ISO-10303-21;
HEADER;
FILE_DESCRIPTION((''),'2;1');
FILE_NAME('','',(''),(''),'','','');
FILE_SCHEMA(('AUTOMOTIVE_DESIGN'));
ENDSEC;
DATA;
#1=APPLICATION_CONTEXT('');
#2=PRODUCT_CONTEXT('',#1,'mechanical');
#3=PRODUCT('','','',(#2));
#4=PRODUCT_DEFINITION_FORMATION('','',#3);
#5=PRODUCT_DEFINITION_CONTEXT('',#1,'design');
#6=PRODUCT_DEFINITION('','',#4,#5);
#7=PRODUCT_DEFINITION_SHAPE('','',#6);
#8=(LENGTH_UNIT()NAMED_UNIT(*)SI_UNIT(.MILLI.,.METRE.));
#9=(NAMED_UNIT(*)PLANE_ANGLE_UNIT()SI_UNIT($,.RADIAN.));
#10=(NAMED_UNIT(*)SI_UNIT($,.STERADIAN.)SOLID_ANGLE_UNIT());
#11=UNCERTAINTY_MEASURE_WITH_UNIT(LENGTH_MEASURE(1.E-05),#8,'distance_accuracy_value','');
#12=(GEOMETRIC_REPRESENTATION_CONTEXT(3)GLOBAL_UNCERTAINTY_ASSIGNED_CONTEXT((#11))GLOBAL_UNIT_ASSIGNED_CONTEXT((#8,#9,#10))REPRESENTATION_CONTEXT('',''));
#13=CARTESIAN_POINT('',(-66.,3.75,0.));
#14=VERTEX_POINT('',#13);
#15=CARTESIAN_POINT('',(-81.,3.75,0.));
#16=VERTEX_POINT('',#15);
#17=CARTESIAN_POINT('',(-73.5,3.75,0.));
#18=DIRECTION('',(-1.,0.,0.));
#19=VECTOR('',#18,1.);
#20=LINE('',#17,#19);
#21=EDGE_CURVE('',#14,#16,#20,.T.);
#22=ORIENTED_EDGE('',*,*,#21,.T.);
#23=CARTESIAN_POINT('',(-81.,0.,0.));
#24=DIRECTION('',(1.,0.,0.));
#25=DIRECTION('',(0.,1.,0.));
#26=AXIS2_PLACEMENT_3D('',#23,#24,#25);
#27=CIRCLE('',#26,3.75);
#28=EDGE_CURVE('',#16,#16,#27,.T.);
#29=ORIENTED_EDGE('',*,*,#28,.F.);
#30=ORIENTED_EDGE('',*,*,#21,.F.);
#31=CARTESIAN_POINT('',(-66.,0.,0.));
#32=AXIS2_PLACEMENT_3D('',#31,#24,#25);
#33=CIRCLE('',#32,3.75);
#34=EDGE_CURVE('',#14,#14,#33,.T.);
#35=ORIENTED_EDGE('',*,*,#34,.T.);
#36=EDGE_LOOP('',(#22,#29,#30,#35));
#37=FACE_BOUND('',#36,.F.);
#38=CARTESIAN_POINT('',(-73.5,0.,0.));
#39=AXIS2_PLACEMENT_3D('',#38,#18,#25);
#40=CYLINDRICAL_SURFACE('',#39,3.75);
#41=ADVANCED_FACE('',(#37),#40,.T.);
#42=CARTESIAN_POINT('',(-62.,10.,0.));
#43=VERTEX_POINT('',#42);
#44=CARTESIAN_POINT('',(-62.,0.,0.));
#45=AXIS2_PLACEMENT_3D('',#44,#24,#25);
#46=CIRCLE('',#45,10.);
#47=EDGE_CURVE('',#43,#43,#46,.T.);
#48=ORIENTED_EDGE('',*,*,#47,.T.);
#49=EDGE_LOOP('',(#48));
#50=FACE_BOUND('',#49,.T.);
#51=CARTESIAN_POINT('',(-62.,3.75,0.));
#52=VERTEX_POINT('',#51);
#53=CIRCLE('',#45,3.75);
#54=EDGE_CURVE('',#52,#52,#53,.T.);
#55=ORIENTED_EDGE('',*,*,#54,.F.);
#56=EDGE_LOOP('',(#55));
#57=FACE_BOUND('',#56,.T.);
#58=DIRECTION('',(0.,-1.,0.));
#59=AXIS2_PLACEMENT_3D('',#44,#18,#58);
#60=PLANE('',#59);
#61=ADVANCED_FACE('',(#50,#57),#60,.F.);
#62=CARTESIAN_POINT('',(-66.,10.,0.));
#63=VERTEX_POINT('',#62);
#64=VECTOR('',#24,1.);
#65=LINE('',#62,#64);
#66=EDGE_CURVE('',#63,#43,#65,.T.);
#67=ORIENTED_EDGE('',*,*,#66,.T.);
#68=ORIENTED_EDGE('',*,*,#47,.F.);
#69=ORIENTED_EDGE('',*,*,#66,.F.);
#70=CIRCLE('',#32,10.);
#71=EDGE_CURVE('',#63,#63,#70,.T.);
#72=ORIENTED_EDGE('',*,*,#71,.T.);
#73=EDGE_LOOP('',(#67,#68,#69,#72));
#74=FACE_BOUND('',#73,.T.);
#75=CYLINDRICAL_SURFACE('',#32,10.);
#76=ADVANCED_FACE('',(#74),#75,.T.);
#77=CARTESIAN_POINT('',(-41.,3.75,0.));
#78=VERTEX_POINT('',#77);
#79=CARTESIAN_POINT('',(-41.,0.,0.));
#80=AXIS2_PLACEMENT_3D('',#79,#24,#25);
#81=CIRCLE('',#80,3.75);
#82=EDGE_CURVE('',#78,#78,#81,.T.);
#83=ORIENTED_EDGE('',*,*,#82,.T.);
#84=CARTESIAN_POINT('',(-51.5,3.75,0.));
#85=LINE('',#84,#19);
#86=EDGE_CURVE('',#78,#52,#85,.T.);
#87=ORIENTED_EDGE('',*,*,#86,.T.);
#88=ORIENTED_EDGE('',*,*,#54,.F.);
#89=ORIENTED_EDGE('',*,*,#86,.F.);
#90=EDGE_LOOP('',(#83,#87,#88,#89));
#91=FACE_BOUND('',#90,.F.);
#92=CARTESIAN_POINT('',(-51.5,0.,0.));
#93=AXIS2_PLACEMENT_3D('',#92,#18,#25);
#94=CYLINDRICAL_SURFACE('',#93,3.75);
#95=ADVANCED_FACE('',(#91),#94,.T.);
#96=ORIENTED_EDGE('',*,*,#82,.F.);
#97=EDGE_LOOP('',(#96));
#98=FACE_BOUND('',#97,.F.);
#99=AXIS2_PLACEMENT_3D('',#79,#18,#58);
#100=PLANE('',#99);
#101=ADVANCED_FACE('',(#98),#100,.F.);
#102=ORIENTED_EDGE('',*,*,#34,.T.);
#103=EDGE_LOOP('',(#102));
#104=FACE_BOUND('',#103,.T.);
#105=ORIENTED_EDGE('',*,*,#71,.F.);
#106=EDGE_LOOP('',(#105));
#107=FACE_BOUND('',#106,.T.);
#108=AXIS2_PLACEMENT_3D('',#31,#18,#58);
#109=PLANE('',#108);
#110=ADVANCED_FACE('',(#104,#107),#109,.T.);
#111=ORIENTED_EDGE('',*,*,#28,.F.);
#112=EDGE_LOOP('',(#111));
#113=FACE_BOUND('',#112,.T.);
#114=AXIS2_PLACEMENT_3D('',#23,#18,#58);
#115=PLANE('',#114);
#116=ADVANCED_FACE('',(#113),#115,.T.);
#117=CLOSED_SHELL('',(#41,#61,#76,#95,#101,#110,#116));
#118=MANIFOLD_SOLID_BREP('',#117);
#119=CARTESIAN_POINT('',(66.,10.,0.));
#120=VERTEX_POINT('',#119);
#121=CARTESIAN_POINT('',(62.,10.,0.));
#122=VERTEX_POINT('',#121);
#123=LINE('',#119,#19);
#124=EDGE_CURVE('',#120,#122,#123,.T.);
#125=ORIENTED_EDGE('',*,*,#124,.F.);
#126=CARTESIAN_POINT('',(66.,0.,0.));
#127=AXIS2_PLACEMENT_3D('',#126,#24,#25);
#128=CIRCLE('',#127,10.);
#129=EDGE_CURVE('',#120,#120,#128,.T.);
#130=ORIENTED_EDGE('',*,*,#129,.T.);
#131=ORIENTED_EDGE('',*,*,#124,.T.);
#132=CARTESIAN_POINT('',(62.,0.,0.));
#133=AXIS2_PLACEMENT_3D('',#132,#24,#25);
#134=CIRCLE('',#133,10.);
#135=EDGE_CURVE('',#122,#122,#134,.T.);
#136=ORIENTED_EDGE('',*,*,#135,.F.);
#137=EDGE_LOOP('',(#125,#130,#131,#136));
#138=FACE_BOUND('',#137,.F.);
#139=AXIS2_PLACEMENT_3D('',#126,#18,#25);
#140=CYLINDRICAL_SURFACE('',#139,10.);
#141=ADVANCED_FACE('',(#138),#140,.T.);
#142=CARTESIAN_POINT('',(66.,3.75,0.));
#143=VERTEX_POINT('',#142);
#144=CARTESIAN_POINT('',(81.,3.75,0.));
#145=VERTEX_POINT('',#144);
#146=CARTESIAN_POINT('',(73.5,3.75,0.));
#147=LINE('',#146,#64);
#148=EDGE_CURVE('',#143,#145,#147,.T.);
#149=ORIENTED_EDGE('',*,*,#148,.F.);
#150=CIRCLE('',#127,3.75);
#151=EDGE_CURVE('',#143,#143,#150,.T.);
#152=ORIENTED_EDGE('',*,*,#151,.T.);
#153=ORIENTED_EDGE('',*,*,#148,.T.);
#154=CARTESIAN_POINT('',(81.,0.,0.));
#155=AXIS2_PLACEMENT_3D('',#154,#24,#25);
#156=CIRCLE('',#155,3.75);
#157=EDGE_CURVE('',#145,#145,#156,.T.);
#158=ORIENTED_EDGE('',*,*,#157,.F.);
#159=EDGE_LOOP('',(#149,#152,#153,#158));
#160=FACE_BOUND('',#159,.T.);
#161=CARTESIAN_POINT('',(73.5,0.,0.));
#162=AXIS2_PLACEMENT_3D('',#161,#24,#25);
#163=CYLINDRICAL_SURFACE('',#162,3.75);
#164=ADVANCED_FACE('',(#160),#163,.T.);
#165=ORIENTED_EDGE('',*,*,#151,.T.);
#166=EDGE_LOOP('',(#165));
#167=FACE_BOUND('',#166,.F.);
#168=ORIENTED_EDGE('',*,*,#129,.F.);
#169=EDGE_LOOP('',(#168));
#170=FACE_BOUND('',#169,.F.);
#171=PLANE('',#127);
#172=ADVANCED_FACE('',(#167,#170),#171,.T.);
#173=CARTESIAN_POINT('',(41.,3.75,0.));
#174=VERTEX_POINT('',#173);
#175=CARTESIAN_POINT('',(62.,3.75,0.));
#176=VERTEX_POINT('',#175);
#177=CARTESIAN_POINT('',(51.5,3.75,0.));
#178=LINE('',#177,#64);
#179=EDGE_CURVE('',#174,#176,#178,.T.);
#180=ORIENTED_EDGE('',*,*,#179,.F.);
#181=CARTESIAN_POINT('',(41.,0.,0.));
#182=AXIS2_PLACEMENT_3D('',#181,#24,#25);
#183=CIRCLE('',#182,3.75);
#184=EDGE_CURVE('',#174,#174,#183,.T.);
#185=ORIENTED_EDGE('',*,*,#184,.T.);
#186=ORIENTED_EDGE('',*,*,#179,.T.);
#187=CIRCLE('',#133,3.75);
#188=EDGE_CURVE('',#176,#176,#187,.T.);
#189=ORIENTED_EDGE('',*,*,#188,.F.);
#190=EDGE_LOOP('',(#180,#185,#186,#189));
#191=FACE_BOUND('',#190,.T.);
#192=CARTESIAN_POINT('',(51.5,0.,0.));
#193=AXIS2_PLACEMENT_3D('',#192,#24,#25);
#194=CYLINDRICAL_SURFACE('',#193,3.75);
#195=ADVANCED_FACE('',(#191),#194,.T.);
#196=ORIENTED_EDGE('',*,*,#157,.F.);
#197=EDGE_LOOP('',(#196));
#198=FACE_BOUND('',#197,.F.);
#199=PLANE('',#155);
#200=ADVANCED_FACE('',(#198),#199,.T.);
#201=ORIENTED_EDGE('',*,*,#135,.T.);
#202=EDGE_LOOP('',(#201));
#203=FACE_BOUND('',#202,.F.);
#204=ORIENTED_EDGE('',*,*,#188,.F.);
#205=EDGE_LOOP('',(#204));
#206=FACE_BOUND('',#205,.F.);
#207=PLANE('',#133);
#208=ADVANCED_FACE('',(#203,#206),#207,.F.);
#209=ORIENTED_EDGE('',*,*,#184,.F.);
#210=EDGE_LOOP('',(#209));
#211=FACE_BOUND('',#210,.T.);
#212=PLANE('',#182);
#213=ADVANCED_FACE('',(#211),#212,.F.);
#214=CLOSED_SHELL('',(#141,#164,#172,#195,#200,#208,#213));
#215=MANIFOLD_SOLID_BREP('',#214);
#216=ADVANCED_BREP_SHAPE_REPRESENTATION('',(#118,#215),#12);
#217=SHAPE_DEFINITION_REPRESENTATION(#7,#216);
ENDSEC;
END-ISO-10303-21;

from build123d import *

# Parameters (mm, degrees)
F0_W   = 21
F0_H   = 3.75
F0_W_2 = 15


with BuildPart() as f1:
    # F0 (on Top) → F1 (revolve)
    with BuildSketch(Plane.XY):
        with Locations((51.5, 1.875)):
            Rectangle(F0_W, F0_H)
        with Locations((73.5, 1.875)):
            Rectangle(F0_W_2, F0_H)
        Polygon((62, 3.75), (62, 0), (66, 0), (66, 3.75), (66, 10), (62, 10), align=None)
    revolve(axis=Axis((51.5, 0, 0), (1, 0, 0)))


with BuildPart() as f2_1:
    # F2: instance of F1
    add(f1.part.mirror(Plane.YZ))


solid = Compound([f1.part, f2_1.part])
